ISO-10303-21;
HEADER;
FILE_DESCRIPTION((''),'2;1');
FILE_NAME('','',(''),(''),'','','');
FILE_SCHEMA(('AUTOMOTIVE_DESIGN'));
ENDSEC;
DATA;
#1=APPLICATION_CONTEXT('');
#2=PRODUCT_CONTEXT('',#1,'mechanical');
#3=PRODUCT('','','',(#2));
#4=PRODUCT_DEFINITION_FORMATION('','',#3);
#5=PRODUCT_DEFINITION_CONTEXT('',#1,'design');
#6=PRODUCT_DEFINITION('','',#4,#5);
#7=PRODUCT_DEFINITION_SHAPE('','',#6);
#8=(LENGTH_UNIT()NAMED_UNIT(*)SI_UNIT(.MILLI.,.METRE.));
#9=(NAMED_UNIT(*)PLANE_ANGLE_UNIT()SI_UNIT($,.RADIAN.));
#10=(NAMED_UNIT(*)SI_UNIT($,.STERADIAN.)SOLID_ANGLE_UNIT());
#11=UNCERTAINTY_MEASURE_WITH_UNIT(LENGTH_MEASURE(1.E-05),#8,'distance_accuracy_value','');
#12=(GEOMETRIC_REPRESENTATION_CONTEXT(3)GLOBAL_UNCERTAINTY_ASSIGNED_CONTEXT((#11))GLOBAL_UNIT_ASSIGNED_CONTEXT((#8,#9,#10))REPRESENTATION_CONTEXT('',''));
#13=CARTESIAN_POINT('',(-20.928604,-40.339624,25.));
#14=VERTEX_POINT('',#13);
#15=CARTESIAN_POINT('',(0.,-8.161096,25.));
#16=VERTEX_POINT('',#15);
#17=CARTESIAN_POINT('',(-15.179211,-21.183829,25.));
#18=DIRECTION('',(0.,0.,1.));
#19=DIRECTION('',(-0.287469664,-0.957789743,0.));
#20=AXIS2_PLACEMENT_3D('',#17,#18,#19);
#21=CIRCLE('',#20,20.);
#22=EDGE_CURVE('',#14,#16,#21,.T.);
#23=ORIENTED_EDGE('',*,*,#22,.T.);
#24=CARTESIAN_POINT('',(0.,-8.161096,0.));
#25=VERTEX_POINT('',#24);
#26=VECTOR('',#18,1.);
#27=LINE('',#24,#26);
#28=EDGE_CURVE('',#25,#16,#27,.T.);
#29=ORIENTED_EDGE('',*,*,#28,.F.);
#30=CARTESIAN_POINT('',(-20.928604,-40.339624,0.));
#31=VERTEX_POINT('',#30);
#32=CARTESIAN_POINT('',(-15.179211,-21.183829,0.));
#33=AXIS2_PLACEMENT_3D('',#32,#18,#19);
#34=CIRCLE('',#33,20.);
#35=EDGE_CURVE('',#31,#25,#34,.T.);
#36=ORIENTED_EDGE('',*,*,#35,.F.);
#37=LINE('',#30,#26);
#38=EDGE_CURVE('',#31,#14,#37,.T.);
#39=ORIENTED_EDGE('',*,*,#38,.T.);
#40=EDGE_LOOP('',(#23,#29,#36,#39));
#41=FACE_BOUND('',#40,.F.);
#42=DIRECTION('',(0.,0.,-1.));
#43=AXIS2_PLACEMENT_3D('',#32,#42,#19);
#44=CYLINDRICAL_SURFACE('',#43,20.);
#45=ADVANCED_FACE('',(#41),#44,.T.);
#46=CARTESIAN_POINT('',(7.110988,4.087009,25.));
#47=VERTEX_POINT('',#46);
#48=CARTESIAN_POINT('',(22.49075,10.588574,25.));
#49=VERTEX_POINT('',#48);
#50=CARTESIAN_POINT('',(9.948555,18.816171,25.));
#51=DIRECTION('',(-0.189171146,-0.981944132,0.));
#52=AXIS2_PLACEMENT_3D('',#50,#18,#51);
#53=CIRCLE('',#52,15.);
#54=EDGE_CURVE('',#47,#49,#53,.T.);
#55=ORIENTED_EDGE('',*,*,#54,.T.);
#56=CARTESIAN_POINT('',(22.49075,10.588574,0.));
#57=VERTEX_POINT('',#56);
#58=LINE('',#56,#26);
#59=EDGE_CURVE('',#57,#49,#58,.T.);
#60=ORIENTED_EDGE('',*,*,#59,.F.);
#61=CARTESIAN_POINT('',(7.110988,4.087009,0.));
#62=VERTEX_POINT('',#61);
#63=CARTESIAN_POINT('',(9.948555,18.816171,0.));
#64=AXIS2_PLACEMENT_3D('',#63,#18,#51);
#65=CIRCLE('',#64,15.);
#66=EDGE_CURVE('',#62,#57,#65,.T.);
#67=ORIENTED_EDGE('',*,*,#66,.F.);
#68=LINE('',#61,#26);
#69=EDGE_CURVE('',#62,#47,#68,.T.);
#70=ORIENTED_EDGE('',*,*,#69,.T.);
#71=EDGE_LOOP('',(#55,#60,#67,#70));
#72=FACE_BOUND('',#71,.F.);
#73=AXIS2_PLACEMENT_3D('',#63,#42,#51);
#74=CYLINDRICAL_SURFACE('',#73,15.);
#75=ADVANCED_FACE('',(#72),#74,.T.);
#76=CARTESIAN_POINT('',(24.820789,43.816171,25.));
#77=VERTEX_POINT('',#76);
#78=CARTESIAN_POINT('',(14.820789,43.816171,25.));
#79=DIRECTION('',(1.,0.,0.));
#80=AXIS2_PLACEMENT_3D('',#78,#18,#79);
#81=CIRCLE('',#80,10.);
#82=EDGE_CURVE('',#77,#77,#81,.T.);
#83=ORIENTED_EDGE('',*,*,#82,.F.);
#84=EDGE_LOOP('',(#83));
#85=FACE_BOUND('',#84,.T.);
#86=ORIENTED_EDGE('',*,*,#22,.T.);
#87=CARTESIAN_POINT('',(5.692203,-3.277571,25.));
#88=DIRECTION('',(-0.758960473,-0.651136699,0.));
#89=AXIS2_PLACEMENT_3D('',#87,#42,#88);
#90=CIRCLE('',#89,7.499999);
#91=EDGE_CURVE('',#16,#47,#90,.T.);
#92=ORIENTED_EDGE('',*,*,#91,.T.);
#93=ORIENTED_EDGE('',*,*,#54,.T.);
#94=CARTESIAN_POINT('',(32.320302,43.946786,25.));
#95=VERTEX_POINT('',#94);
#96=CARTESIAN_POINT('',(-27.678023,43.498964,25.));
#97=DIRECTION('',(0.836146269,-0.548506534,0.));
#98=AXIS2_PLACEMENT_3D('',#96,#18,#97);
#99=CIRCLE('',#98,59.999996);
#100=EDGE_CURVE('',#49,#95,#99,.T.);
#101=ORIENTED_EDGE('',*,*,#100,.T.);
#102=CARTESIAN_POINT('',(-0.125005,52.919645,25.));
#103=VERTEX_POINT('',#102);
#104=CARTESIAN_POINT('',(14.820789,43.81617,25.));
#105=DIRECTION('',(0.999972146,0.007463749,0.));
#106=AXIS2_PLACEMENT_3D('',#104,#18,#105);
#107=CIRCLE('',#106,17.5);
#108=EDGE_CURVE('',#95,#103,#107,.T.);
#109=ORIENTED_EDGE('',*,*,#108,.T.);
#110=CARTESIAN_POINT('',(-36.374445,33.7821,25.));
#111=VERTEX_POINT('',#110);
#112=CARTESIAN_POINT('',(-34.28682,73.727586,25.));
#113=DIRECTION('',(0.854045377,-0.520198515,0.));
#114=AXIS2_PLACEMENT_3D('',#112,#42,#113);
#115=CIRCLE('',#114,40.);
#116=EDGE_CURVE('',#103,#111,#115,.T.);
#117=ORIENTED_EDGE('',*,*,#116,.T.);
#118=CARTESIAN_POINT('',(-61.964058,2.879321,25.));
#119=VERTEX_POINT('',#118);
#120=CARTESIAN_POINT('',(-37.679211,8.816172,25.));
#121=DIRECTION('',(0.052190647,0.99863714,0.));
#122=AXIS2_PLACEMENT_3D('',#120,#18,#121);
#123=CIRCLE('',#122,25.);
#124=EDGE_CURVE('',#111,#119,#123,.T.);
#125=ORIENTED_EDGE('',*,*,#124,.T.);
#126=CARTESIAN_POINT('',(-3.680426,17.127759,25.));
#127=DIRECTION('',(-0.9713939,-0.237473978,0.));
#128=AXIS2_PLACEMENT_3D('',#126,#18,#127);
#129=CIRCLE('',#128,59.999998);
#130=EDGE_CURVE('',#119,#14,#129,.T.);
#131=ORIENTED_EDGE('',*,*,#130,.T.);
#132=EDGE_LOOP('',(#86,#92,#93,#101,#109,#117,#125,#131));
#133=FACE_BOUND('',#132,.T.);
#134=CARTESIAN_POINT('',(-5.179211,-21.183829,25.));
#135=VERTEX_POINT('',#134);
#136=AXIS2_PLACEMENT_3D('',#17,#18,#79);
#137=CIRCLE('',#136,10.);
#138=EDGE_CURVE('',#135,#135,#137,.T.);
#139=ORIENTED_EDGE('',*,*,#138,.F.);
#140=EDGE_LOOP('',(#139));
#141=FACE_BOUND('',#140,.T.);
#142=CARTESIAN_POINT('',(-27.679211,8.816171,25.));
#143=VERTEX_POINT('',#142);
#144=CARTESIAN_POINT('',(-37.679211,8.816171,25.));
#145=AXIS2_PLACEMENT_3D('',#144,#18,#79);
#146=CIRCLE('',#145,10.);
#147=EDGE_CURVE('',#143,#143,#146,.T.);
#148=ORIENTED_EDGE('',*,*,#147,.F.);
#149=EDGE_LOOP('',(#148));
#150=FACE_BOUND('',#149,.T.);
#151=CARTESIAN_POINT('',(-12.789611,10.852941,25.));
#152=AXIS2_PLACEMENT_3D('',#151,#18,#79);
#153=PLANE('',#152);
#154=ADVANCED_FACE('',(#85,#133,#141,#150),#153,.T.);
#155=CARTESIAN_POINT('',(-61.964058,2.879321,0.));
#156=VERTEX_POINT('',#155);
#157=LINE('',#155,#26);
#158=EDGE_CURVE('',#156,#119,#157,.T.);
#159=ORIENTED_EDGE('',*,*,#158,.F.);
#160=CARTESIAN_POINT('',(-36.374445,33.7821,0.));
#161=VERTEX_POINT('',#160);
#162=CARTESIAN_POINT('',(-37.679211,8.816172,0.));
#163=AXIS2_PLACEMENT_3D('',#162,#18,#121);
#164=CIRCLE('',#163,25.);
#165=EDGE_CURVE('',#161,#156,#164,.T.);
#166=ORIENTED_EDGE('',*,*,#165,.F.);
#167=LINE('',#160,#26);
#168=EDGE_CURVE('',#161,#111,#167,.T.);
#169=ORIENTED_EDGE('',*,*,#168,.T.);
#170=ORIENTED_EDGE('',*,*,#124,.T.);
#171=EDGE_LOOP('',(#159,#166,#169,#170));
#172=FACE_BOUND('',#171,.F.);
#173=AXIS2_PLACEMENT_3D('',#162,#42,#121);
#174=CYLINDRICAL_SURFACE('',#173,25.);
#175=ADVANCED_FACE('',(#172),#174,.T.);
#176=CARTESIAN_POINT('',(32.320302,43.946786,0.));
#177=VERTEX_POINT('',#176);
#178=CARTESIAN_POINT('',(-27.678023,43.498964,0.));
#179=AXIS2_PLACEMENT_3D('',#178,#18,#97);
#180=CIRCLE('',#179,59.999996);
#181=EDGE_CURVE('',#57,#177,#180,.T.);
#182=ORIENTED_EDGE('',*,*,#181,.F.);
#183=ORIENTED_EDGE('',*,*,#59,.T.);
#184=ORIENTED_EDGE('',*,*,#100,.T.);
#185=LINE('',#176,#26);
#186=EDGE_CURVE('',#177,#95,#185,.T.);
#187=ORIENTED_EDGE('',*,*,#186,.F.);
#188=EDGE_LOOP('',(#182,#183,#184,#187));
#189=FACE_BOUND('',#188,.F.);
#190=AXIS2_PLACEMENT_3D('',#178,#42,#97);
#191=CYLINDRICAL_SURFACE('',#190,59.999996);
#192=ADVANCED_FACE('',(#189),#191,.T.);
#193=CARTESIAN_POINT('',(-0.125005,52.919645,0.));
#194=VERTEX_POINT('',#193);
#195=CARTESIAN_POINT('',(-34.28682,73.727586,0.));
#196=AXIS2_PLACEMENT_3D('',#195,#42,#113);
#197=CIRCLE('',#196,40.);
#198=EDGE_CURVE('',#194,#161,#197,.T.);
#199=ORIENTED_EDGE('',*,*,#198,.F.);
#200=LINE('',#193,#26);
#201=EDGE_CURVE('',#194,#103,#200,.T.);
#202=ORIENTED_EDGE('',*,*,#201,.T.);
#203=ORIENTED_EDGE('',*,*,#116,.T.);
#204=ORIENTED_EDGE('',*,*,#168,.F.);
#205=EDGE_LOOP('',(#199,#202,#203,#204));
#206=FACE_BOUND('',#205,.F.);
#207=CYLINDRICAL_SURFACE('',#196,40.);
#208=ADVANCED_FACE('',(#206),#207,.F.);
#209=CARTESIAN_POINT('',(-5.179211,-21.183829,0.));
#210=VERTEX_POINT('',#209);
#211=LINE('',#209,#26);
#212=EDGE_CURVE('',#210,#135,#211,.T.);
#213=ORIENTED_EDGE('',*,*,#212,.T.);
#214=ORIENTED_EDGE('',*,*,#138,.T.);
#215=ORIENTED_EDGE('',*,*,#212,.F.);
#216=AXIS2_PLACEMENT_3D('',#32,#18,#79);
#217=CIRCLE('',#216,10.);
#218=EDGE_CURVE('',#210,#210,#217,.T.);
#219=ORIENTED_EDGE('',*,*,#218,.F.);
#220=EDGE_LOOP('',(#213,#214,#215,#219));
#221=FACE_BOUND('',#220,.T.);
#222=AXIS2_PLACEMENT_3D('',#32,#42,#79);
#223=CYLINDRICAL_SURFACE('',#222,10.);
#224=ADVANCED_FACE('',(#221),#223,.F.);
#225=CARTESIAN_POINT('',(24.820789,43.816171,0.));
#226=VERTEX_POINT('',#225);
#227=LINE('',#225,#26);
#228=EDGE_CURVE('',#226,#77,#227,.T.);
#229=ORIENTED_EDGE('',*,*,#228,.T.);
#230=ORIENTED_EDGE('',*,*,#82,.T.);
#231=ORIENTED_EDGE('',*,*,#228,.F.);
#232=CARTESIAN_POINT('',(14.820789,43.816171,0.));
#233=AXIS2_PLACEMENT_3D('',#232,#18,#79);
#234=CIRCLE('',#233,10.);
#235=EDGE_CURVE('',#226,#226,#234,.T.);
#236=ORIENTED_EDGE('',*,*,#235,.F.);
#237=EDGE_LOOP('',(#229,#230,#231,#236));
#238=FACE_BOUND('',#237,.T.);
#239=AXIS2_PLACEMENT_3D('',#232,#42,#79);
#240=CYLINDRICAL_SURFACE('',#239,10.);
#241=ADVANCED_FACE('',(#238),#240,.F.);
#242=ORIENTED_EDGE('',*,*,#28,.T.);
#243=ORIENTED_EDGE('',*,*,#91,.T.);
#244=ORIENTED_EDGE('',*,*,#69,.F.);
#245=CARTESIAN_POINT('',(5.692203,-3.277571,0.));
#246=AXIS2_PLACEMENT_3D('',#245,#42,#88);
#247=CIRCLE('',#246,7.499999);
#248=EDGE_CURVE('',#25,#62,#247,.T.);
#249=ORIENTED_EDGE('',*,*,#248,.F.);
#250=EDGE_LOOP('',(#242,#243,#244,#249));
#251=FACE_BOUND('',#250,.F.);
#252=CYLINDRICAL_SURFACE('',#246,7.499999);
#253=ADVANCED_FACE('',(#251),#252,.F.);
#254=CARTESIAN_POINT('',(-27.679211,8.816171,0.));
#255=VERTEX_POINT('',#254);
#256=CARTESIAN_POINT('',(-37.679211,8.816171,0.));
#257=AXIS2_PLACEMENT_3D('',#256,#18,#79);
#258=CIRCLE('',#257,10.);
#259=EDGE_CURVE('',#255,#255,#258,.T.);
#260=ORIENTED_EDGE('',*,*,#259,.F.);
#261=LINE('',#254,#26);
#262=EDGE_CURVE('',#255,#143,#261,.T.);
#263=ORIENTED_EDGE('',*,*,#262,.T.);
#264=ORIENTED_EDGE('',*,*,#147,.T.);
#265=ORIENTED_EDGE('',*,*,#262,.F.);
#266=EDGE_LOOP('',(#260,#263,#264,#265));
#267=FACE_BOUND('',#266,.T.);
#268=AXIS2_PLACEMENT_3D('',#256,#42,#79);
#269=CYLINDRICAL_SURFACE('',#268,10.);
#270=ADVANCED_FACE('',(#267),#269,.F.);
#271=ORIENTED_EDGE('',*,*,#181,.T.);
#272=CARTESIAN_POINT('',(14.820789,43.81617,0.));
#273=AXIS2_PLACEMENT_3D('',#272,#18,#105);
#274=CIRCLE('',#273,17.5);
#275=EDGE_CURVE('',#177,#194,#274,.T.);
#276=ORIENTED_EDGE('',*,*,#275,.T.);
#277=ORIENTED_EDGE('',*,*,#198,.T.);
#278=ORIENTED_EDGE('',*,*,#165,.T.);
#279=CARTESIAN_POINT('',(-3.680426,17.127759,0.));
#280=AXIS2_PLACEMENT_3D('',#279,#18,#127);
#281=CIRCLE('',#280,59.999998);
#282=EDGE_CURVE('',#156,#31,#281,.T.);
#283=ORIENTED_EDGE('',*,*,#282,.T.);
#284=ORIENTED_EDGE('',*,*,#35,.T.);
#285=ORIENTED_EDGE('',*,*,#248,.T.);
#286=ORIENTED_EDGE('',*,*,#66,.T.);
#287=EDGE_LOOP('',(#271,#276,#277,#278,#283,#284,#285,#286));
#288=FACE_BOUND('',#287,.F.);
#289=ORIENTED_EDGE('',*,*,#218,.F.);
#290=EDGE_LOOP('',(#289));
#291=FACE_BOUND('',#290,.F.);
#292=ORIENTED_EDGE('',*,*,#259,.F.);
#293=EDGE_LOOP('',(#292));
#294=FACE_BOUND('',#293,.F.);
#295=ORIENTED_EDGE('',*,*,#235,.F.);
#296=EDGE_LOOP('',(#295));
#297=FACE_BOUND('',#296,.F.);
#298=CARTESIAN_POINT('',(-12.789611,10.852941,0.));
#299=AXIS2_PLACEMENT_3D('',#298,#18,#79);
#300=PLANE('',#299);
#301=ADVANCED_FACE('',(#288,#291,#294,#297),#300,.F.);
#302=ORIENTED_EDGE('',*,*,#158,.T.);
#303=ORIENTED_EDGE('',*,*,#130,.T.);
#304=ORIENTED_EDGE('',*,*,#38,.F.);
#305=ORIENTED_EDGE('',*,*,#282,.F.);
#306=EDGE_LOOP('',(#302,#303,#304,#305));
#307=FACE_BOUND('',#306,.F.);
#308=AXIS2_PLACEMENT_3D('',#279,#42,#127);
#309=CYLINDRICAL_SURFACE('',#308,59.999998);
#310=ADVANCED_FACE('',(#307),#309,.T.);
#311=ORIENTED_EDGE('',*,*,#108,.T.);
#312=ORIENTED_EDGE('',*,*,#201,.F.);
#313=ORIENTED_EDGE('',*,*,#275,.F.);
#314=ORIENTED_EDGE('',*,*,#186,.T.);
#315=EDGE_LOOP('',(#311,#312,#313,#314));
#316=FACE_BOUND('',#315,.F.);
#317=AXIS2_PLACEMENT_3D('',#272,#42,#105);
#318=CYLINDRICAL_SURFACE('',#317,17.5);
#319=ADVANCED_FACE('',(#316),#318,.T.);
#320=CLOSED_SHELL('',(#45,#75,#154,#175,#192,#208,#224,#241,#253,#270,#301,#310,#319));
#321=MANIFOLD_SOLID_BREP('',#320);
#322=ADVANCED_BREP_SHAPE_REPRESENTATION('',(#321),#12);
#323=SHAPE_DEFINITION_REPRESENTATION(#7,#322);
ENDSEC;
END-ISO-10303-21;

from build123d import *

# Parameters (mm, degrees)
F0_R     = 10
F1_DEPTH = 25


with BuildPart() as f1:
    # F0 (on Top) → F1 (new body)
    with BuildSketch(Plane.XY):
        with BuildLine():
            ThreePointArc((-0.125005, 52.919645), (-15.611975, 38.354571), (-36.374445, 33.7821))
            ThreePointArc((-36.374445, 33.7821), (-56.934508, 24.760874), (-61.964058, 2.879321))
            ThreePointArc((-61.964058, 2.879321), (-47.191722, -24.185276), (-20.928604, -40.339624))
            ThreePointArc((-20.928604, -40.339624), (1.586671, -32.088196), (0, -8.161096))
            ThreePointArc((0, -8.161096), (-0.793901, 0.488122), (7.110988, 4.087009))
            ThreePointArc((7.110988, 4.087009), (15.789149, 4.999968), (22.49075, 10.588574))
            ThreePointArc((22.49075, 10.588574), (29.875343, 26.539907), (32.320302, 43.946786))
            ThreePointArc((32.320302, 43.946786), (19.485381, 60.683049), (-0.125005, 52.919645))
        make_face()
        with Locations((-15.179211, -21.183829)):
            Circle(F0_R, mode=Mode.SUBTRACT)
        with Locations((-37.679211, 8.816171)):
            Circle(F0_R, mode=Mode.SUBTRACT)
        with Locations((14.820789, 43.816171)):
            Circle(F0_R, mode=Mode.SUBTRACT)
    extrude(amount=F1_DEPTH)


solid = f1.part
